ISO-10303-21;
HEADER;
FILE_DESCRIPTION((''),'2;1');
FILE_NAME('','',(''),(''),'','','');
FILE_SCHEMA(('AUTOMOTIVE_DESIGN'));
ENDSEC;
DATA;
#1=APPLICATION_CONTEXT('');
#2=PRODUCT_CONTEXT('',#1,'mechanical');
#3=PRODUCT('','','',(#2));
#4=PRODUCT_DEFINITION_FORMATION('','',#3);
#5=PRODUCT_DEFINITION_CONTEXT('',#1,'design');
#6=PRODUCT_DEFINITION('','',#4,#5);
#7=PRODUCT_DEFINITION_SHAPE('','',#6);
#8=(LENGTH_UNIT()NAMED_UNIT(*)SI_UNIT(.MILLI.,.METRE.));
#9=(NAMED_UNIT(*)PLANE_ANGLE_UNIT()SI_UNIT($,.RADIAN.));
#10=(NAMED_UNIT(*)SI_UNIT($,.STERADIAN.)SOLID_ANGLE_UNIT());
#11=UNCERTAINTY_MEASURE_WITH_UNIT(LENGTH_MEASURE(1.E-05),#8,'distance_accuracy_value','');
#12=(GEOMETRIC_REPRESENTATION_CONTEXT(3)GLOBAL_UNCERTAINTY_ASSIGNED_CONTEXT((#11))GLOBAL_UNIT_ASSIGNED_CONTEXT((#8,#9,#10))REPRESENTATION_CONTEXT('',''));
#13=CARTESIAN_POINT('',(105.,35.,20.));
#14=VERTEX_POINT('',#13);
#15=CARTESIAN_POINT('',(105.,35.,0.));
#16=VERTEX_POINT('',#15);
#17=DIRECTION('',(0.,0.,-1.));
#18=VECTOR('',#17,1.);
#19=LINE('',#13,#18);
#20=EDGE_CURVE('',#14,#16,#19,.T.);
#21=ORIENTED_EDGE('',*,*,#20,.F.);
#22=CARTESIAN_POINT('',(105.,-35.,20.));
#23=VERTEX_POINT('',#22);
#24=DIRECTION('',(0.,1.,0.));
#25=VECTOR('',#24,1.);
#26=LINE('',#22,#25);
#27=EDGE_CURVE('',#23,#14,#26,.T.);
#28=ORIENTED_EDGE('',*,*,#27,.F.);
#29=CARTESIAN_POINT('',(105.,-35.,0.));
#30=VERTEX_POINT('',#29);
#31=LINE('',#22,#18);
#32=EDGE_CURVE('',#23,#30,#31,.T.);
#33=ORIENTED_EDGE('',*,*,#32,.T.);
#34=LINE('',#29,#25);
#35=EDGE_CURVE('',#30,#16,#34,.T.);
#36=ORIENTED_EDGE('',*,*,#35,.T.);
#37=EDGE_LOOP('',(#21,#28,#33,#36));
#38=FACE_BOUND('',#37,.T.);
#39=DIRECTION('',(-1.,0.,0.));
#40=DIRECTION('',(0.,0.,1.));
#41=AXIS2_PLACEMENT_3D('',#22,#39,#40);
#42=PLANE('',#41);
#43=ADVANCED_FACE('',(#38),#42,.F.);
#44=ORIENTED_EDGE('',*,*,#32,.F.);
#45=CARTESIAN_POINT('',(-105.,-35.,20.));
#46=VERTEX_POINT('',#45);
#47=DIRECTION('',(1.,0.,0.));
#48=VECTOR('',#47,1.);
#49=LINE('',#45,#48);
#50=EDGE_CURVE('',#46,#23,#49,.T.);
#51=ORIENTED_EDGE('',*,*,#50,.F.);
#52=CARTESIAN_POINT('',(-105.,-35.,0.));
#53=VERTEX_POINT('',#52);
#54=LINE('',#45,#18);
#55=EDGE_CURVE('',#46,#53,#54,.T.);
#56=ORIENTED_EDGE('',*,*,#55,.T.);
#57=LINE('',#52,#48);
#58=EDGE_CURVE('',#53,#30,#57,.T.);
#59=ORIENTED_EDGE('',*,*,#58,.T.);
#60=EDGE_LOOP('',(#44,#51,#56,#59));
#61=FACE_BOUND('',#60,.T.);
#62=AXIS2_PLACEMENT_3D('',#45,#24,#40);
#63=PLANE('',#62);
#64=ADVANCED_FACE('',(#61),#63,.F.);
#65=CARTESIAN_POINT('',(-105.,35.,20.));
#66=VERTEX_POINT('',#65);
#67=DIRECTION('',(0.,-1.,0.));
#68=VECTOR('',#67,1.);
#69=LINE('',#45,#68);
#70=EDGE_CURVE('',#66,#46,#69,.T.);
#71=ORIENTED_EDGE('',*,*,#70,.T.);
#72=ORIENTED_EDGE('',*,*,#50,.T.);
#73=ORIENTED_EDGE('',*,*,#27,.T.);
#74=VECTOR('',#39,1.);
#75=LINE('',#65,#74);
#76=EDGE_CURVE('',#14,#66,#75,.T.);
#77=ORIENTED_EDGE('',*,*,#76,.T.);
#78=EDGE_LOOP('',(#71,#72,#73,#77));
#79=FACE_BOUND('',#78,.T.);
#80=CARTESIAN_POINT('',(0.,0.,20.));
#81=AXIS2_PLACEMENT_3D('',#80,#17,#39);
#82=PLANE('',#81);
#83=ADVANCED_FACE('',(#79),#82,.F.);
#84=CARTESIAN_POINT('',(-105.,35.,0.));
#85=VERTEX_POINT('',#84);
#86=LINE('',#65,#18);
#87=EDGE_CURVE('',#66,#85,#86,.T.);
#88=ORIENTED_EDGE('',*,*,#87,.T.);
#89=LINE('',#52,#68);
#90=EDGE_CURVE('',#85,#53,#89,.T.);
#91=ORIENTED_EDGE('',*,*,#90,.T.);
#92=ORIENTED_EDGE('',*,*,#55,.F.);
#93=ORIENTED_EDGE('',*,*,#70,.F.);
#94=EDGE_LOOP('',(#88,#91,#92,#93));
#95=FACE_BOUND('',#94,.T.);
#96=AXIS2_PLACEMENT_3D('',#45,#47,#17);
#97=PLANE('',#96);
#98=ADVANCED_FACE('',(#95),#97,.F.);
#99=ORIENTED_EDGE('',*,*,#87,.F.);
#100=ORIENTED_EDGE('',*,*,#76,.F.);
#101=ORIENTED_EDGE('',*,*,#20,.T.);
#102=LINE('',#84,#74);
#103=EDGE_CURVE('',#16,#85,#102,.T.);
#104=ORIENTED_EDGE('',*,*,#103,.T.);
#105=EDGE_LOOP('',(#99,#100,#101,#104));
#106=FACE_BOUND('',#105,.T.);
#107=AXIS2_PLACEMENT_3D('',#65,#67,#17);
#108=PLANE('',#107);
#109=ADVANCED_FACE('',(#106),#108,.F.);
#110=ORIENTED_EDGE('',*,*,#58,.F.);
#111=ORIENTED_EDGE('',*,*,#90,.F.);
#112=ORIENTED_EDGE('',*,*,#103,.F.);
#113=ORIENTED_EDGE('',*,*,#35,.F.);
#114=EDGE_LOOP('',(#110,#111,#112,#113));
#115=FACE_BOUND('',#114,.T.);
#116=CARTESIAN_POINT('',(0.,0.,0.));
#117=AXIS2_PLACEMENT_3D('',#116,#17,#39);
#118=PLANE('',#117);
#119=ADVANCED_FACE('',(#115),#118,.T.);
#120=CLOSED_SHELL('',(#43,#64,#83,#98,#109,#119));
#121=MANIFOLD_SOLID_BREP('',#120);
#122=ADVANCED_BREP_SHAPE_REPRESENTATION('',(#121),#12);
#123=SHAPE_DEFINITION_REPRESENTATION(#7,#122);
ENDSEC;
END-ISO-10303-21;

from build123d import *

# Parameters (mm, degrees)
SKETCH_1_W      = 210
SKETCH_1_H      = 70
EXTRUDE_1_DEPTH = 20


with BuildPart() as part:
    # 草图1 → 凸台-拉伸1 (new body)
    with BuildSketch(Plane.XY):
        Rectangle(SKETCH_1_W, SKETCH_1_H)
    extrude(amount=EXTRUDE_1_DEPTH)


solid = part.part
